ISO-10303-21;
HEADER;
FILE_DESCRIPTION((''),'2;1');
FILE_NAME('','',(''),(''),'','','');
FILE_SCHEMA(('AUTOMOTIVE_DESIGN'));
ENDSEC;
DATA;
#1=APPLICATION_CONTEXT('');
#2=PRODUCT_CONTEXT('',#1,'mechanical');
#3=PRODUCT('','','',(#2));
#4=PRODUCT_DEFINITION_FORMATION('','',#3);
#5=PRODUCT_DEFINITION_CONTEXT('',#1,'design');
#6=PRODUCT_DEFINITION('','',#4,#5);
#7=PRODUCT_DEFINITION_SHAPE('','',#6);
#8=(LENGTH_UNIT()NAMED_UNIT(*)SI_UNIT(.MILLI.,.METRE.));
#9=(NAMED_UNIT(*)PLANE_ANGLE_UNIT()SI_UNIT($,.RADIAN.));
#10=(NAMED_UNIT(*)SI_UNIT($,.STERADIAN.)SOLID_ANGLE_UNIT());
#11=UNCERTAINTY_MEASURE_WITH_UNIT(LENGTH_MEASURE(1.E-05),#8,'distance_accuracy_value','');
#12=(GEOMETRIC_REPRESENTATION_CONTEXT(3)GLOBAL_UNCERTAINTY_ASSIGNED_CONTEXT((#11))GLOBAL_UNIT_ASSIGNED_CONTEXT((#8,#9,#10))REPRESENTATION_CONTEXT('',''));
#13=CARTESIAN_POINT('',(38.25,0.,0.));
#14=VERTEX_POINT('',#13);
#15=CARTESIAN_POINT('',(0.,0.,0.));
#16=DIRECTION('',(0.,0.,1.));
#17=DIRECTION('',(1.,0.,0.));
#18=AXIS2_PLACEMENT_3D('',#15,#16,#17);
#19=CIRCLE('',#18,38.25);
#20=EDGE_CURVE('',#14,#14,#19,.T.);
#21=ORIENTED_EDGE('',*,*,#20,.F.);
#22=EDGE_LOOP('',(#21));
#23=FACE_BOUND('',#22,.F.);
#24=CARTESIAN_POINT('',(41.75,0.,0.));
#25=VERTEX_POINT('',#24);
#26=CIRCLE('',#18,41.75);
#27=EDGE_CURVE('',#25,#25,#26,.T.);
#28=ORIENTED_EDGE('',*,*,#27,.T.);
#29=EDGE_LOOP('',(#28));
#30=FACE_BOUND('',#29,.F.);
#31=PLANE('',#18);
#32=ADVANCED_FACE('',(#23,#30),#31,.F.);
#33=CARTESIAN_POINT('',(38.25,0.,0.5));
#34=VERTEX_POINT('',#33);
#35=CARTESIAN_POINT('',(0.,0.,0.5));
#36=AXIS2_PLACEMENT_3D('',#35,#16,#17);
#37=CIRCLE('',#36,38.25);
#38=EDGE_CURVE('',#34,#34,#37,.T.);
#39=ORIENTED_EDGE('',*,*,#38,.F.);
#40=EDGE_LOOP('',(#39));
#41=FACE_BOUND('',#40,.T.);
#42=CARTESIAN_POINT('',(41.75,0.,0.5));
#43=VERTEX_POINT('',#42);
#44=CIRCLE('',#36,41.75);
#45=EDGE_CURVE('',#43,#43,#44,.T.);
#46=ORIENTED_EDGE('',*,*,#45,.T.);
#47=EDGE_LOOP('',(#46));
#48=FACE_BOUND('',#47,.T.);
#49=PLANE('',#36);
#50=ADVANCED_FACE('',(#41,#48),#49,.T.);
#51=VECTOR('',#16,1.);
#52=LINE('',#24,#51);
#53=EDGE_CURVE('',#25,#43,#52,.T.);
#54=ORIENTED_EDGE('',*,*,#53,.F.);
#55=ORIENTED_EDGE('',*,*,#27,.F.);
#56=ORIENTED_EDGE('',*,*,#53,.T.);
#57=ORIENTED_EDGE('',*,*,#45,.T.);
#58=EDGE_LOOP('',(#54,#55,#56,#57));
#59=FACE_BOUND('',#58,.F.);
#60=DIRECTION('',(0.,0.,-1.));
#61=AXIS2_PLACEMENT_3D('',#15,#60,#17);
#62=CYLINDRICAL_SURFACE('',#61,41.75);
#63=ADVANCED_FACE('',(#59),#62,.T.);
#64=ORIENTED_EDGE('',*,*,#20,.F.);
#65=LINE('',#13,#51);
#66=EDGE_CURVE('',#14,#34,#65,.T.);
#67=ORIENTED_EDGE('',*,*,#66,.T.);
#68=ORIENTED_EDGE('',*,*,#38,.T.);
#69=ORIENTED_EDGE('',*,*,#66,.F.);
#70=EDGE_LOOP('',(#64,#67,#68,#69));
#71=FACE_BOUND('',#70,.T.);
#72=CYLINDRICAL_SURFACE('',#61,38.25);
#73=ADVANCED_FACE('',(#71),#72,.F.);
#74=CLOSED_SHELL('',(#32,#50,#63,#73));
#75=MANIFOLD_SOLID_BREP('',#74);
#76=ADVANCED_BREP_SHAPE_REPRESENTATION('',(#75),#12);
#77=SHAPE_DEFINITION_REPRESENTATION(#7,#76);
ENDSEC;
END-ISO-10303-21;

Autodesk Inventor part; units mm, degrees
ref_plane "YZ Plane" through (0, 0, 0) normal (1, 0, 0) x (0, 1, 0)
ref_plane "XZ Plane" through (0, 0, 0) normal (0, 1, 0) x (-1, 0, 0)
ref_plane "XY Plane" through (0, 0, 0) normal (0, 0, 1) x (1, 0, 0)
sketch "Sketch1" plane through (0, 0, 0) normal (0, 0, 1) x (1, 0, 0)
  circle A0 centre (0, 0) radius 41.75
  circle A1 centre (0, 0) radius 38.25
  dimension "d0" = 83.5
  dimension "d1" = 76.5
extrude "Extrusion1" add sketch "Sketch1" along normal blind 0.5
